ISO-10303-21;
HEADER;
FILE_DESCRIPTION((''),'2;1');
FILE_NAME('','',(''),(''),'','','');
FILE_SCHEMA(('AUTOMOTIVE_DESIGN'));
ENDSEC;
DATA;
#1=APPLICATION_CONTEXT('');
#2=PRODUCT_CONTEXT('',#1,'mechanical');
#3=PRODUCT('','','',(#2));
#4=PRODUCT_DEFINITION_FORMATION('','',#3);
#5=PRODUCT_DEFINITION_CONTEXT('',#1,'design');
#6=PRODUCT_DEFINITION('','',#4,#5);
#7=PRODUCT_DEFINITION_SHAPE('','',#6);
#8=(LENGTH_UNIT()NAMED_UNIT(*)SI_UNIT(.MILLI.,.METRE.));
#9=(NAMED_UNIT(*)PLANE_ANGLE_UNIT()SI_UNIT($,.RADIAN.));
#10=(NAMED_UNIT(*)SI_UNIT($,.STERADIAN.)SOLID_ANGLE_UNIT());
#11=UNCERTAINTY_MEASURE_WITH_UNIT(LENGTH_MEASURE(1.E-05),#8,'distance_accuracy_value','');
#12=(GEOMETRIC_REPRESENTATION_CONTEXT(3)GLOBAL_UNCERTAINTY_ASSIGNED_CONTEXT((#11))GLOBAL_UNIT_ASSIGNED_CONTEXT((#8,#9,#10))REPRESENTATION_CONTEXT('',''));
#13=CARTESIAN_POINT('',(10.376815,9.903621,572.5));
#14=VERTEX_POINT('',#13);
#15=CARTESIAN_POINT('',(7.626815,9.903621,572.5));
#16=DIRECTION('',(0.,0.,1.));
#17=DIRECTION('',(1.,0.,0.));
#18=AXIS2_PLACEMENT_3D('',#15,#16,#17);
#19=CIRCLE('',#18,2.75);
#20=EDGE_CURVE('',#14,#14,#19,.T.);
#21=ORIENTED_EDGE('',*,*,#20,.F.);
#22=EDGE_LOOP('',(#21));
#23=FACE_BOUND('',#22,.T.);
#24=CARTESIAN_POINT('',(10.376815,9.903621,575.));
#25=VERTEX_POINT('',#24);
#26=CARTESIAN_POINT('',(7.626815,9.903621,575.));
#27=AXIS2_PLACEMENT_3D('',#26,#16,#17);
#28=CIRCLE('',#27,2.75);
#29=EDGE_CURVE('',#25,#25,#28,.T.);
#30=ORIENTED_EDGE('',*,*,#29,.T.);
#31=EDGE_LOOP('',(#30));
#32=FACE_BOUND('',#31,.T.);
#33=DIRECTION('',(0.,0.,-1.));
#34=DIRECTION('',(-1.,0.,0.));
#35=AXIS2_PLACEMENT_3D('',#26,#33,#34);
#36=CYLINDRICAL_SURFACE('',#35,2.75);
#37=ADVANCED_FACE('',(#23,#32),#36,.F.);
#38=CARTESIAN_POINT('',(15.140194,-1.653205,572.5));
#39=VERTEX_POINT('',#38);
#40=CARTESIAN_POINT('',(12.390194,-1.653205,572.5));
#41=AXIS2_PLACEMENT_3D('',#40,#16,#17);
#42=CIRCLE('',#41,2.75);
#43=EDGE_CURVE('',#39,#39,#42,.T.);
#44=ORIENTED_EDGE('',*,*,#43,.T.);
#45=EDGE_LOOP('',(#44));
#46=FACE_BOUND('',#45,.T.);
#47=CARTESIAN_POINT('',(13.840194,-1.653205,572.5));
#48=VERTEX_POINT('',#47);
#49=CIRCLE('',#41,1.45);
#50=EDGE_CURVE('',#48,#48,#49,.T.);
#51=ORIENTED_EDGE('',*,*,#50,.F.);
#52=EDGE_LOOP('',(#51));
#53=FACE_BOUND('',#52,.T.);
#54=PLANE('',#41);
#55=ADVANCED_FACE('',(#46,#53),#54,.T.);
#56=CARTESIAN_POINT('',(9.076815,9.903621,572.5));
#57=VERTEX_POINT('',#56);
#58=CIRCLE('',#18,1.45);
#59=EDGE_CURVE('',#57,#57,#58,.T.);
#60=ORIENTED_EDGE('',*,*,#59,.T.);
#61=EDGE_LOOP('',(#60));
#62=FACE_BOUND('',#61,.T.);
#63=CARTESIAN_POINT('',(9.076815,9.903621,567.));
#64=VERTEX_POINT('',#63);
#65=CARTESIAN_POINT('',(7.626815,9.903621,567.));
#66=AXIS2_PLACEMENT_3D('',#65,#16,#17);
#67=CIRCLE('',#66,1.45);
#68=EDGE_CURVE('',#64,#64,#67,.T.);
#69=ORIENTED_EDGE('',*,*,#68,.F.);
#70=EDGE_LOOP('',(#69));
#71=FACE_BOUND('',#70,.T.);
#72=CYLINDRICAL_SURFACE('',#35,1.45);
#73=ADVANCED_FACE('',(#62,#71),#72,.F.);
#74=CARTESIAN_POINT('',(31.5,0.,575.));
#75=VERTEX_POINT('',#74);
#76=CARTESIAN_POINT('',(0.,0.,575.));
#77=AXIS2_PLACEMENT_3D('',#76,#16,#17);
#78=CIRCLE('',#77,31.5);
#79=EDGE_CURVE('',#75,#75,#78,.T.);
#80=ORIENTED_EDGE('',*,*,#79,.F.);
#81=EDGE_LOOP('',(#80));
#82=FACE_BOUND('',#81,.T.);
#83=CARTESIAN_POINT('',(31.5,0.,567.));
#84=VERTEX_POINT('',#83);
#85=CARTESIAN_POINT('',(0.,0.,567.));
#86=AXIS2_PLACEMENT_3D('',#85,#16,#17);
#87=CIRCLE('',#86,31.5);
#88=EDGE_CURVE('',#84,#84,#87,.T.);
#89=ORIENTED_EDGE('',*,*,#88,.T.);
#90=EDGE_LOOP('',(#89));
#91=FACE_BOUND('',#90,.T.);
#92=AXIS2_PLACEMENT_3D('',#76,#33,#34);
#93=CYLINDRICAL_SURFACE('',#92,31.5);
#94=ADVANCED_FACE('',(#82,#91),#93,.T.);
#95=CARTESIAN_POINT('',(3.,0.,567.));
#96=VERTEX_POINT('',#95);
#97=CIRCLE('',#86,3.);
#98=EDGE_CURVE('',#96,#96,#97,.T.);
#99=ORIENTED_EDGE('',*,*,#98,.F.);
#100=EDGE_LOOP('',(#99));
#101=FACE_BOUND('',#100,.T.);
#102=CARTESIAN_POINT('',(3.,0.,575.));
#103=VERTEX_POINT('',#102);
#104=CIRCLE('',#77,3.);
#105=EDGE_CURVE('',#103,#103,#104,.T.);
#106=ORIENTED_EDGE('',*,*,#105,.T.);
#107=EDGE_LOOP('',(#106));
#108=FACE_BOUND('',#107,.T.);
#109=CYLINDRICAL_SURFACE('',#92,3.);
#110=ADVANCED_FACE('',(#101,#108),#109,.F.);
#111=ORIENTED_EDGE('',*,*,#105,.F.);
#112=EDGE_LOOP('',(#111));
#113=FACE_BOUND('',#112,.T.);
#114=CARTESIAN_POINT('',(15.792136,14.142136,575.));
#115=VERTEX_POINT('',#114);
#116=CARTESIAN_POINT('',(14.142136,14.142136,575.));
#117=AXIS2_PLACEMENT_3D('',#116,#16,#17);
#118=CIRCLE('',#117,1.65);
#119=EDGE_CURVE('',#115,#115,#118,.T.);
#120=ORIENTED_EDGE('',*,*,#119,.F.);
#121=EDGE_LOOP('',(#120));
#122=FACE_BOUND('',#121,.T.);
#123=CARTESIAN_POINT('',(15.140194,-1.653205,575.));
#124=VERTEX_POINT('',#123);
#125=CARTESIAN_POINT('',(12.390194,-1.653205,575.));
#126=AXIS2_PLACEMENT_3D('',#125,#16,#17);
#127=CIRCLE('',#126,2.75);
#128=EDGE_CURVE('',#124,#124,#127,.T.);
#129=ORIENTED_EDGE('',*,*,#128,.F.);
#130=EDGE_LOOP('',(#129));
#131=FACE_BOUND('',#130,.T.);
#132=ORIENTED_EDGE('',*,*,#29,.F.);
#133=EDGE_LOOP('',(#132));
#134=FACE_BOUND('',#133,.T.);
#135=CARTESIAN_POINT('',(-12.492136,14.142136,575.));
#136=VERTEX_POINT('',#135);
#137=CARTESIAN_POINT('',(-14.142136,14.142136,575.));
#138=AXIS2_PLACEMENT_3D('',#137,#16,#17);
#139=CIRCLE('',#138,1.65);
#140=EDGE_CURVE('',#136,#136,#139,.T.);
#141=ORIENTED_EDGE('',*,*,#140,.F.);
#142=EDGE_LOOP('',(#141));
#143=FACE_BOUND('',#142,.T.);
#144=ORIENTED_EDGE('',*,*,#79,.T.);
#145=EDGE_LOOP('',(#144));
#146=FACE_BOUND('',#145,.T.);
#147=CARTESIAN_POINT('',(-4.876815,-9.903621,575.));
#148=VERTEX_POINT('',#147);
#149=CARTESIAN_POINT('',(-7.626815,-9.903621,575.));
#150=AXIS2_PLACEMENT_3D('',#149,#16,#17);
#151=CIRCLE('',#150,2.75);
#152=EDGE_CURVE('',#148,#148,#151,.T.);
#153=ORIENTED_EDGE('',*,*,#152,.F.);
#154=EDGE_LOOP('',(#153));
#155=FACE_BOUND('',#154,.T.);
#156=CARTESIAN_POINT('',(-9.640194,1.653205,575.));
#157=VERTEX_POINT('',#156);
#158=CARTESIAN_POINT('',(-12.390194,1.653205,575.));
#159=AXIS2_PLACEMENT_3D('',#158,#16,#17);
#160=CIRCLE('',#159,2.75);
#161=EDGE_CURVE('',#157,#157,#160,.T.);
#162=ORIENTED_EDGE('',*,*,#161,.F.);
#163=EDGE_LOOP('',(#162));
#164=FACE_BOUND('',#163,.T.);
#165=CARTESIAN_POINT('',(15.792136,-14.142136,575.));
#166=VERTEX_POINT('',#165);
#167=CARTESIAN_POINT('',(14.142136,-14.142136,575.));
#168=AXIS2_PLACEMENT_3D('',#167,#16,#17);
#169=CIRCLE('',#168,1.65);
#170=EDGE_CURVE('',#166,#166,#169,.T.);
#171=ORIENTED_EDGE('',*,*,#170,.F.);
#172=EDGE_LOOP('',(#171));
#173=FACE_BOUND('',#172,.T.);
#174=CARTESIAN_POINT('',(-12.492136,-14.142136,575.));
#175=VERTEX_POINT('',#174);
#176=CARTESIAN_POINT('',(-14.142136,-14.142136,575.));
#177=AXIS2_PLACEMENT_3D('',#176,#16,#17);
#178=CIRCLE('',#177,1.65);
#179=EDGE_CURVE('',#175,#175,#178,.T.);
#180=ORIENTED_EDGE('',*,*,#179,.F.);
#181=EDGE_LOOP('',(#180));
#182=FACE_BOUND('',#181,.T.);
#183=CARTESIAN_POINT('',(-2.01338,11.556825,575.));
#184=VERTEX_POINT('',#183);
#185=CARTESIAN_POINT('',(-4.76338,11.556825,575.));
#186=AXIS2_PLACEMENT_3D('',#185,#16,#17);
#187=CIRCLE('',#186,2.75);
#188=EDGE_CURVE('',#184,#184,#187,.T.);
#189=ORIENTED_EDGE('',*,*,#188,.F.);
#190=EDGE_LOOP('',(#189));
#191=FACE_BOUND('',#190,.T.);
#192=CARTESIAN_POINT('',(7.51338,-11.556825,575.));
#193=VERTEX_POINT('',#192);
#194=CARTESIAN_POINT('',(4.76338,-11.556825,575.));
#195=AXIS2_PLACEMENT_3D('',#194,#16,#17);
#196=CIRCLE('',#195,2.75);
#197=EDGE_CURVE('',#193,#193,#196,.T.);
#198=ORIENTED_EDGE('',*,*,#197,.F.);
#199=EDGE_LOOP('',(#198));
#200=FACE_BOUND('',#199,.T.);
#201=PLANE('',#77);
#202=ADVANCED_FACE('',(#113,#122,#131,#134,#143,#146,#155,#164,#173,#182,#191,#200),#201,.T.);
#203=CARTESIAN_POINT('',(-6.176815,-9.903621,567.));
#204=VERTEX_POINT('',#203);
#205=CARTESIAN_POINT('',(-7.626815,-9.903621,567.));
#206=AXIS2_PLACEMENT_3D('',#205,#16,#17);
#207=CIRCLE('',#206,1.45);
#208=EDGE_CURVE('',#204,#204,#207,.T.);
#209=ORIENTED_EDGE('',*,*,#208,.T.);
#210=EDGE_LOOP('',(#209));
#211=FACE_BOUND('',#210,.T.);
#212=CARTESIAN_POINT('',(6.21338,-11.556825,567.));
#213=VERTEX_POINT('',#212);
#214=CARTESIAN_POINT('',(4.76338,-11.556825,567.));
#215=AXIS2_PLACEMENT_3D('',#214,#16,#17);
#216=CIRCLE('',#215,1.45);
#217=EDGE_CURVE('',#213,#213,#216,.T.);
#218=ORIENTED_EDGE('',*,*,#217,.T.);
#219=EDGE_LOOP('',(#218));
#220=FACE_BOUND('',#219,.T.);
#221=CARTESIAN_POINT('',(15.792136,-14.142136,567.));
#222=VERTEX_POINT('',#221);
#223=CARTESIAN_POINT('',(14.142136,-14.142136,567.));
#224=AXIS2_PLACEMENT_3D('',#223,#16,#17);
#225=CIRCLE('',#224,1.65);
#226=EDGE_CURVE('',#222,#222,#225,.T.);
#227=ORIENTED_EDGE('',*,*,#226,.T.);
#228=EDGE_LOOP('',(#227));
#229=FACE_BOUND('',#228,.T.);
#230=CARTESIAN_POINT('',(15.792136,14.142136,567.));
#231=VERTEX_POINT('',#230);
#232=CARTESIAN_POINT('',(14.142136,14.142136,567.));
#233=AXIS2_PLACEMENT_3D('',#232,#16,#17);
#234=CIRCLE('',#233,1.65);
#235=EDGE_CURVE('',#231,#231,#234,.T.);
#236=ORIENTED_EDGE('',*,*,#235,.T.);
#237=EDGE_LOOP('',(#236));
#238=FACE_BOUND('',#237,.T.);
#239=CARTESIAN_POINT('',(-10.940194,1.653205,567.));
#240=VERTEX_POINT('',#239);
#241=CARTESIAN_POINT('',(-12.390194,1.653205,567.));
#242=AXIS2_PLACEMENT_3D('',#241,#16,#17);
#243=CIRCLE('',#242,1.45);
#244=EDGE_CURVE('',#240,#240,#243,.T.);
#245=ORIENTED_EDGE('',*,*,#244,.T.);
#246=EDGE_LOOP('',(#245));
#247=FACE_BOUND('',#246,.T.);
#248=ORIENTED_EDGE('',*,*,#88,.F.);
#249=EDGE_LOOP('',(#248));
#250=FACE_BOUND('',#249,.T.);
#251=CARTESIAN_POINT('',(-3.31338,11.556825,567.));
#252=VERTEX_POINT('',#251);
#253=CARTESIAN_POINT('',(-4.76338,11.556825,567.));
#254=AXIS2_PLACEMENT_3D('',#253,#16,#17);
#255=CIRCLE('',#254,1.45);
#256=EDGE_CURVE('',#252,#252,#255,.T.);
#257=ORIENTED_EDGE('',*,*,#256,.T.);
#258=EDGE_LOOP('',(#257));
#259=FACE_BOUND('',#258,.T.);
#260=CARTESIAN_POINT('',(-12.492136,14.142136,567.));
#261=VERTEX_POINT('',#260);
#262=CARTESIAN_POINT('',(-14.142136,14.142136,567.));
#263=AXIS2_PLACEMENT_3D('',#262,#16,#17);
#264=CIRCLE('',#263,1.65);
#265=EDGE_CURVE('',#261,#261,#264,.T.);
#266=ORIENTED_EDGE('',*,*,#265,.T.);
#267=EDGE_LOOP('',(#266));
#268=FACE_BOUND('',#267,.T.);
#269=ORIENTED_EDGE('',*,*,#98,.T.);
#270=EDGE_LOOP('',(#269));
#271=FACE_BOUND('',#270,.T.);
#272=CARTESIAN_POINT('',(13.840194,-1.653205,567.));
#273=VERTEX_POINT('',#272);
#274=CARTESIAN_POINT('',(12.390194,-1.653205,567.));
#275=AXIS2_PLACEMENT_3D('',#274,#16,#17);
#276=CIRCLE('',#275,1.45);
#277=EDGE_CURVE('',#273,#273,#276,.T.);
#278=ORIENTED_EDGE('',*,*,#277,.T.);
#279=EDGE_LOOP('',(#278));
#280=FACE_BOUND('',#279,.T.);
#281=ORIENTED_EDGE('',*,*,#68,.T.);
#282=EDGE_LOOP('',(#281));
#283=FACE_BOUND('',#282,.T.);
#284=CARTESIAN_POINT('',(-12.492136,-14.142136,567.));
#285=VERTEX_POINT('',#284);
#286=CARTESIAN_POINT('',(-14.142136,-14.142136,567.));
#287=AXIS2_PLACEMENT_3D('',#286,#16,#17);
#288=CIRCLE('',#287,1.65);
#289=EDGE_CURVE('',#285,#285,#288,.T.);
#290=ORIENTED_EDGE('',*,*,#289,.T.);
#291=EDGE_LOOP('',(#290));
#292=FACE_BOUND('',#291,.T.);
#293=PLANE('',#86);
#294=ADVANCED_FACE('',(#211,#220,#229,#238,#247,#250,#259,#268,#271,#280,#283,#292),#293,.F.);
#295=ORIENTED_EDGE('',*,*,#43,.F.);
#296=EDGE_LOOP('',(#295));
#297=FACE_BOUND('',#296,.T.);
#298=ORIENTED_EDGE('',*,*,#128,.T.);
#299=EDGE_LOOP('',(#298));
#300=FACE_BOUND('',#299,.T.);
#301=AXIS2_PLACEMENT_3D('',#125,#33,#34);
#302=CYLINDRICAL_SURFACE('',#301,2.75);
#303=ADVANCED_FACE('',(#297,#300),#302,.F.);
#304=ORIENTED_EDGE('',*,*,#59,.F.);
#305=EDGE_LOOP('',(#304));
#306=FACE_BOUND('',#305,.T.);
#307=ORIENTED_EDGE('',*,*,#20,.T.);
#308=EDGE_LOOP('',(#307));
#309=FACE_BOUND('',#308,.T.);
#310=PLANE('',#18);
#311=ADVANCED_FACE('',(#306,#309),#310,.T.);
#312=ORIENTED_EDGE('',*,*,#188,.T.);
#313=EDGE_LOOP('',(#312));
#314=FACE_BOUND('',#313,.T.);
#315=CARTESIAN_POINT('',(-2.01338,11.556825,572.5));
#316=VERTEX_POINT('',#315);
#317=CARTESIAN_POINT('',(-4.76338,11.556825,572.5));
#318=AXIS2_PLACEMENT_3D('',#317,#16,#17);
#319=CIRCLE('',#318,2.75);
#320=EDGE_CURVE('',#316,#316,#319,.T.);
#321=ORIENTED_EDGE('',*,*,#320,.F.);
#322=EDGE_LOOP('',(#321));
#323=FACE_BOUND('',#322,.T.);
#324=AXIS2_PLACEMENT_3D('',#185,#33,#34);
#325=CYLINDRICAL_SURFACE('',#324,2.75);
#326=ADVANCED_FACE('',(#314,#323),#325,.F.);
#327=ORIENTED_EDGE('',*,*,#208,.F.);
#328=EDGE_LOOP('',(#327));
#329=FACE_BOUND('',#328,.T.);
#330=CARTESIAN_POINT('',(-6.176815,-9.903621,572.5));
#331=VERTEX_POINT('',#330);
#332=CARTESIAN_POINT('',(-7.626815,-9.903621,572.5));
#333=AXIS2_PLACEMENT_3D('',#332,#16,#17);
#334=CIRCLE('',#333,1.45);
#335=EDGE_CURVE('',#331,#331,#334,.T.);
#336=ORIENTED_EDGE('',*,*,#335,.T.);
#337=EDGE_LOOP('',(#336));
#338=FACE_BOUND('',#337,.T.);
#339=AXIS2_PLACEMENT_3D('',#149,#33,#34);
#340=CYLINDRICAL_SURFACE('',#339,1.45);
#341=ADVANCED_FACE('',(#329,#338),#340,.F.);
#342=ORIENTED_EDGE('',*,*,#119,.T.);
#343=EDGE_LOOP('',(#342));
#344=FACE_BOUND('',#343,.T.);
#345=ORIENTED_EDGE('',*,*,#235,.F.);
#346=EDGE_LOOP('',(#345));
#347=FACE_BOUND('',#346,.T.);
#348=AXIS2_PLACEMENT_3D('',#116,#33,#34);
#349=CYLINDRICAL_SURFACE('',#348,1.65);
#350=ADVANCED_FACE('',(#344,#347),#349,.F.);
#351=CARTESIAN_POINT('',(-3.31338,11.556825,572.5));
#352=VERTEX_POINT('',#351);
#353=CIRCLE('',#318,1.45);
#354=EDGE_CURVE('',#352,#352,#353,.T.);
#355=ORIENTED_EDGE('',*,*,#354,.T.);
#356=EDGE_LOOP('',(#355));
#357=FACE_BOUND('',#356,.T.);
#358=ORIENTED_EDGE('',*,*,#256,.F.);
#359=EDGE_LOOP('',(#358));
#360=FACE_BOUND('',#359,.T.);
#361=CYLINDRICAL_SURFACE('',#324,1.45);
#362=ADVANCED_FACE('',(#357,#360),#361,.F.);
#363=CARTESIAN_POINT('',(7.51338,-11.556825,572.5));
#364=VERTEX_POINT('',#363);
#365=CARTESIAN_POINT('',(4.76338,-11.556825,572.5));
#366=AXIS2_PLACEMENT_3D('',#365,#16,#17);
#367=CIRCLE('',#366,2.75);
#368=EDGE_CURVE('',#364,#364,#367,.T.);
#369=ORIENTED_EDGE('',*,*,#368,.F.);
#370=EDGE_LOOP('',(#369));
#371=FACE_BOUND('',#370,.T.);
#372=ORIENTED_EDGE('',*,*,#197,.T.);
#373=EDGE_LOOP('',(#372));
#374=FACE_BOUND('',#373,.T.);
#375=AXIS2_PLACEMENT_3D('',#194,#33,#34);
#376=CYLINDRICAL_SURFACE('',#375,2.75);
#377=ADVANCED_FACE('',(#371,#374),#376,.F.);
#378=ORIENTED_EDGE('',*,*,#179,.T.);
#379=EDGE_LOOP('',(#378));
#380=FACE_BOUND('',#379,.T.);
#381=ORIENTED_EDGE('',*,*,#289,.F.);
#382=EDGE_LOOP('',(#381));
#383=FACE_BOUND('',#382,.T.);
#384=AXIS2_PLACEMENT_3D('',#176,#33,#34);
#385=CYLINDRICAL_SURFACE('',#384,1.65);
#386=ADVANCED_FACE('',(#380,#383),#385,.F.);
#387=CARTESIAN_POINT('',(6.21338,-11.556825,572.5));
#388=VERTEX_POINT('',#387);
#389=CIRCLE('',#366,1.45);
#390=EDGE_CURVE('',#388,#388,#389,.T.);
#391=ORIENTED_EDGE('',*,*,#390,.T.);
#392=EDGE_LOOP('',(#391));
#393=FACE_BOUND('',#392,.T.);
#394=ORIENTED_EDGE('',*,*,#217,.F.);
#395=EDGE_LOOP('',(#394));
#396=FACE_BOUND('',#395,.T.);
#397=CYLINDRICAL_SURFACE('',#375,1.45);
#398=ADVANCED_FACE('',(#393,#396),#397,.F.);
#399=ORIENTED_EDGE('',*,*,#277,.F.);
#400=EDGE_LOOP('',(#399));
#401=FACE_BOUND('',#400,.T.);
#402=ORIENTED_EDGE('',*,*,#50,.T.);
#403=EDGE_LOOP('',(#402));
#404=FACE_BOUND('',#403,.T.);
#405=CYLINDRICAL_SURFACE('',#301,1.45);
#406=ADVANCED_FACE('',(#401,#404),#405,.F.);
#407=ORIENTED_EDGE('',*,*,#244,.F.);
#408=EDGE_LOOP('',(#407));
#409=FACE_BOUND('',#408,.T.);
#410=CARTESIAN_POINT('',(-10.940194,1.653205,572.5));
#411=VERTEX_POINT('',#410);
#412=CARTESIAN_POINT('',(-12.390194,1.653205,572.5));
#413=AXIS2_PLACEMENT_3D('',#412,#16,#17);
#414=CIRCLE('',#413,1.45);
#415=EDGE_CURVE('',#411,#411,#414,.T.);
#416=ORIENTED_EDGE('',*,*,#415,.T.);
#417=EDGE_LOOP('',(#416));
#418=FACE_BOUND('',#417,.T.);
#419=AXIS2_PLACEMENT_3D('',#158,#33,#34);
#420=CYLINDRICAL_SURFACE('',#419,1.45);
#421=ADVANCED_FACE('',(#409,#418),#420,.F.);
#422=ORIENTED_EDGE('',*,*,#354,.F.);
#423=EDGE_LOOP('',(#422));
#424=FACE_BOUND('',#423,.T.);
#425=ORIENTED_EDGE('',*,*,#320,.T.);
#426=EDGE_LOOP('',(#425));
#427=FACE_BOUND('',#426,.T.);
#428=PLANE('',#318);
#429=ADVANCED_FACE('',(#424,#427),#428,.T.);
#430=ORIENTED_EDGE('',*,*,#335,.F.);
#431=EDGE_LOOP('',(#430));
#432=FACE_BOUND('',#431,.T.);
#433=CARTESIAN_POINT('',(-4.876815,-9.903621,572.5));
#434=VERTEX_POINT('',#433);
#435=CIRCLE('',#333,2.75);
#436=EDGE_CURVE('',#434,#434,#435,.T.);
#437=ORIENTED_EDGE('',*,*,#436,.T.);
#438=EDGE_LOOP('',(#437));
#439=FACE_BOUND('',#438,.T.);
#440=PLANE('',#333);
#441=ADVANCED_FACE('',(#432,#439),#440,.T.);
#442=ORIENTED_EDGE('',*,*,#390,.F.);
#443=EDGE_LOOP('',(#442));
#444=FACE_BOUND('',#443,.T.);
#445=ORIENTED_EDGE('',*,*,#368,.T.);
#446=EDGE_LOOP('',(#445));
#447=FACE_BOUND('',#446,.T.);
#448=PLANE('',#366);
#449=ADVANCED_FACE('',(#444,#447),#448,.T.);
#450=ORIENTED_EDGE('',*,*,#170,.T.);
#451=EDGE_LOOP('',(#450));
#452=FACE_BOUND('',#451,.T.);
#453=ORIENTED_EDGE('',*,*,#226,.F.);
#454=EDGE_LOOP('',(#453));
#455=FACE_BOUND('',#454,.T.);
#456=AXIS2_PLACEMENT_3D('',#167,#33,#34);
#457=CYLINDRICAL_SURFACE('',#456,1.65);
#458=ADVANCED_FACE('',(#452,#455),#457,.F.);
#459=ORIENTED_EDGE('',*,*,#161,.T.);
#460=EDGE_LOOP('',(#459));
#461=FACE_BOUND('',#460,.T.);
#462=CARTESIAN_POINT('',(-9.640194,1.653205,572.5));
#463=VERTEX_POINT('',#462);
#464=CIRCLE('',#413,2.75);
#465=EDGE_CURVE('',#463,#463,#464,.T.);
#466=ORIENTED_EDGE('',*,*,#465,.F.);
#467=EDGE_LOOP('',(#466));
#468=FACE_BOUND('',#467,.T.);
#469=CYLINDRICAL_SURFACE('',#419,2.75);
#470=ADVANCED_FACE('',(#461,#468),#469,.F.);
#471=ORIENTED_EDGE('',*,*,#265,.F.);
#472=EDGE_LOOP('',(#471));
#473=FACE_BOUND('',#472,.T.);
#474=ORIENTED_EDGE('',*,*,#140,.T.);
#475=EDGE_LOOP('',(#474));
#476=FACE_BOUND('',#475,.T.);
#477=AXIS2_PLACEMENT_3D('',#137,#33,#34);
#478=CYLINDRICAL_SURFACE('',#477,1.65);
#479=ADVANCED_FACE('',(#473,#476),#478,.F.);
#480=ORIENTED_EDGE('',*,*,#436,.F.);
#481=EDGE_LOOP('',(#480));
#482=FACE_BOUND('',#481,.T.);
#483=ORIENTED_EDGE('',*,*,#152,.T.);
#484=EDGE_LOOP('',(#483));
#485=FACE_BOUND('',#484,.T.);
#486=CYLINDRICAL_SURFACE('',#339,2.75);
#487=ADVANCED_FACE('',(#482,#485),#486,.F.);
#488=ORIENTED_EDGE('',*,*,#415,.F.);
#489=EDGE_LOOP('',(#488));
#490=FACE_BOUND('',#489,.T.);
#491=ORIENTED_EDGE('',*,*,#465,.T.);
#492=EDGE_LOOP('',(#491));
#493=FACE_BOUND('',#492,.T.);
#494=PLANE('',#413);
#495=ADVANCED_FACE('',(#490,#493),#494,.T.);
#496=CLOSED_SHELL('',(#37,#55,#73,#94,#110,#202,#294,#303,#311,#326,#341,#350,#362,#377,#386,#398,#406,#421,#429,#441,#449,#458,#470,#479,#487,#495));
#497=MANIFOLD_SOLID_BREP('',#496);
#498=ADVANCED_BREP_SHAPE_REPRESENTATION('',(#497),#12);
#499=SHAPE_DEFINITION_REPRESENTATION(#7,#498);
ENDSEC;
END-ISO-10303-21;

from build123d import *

# Parameters (mm, degrees)
BRIDA_START                  = 567
SK_BRIDA_R                   = 31.5
BRIDA_DEPTH                  = 8
CENTRO_START                 = 567
SK_CENTRO_R                  = 3
CENTRO_DEPTH                 = 8
ROSCAS_M4_HERRAMIENTA_START  = 567
SK_ROSCAS_M4_HERRAMIENTA_R   = 1.65
ROSCAS_M4_HERRAMIENTA_DEPTH  = 8
PASANTES_M2_5_ROTOR_J6_START = 567
SK_PASANTES_M2_5_ROTOR_J6_R  = 1.45
PASANTES_M2_5_ROTOR_J6_DEPTH = 8
CAJAS_M2_5_START             = 572.5
SK_CAJAS_M2_5_R              = 2.75
CAJAS_M2_5_DEPTH             = 2.5


with BuildPart() as part:
    # Sk_Brida → Brida (new body)
    with BuildSketch(Plane.XY.offset(BRIDA_START)):
        Circle(SK_BRIDA_R)
    extrude(amount=BRIDA_DEPTH)

    # Sk_Centro → Centro (cut)
    with BuildSketch(Plane.XY.offset(CENTRO_START)):
        Circle(SK_CENTRO_R)
    extrude(amount=CENTRO_DEPTH, mode=Mode.SUBTRACT)

    # Sk_Roscas_M4_herramienta → Roscas_M4_herramienta (cut)
    with BuildSketch(Plane.XY.offset(ROSCAS_M4_HERRAMIENTA_START)):
        with Locations((14.142135624, 14.142135624)):
            Circle(SK_ROSCAS_M4_HERRAMIENTA_R)
        with Locations((-14.142135624, 14.142135624)):
            Circle(SK_ROSCAS_M4_HERRAMIENTA_R)
        with Locations((-14.142135624, -14.142135624)):
            Circle(SK_ROSCAS_M4_HERRAMIENTA_R)
        with Locations((14.142135624, -14.142135624)):
            Circle(SK_ROSCAS_M4_HERRAMIENTA_R)
    extrude(amount=ROSCAS_M4_HERRAMIENTA_DEPTH, mode=Mode.SUBTRACT)

    # Sk_Pasantes_M2-5_rotor_J6 → Pasantes_M2-5_rotor_J6 (cut)
    with BuildSketch(Plane.XY.offset(PASANTES_M2_5_ROTOR_J6_START)):
        with Locations((12.390194253, -1.653204878)):
            Circle(SK_PASANTES_M2_5_ROTOR_J6_R)
        with Locations((7.626814549, 9.903620542)):
            Circle(SK_PASANTES_M2_5_ROTOR_J6_R)
        with Locations((-4.763379704, 11.55682542)):
            Circle(SK_PASANTES_M2_5_ROTOR_J6_R)
        with Locations((-12.390194253, 1.653204878)):
            Circle(SK_PASANTES_M2_5_ROTOR_J6_R)
        with Locations((-7.626814549, -9.903620542)):
            Circle(SK_PASANTES_M2_5_ROTOR_J6_R)
        with Locations((4.763379704, -11.55682542)):
            Circle(SK_PASANTES_M2_5_ROTOR_J6_R)
    extrude(amount=PASANTES_M2_5_ROTOR_J6_DEPTH, mode=Mode.SUBTRACT)

    # Sk_Cajas_M2-5 → Cajas_M2-5 (cut)
    with BuildSketch(Plane.XY.offset(CAJAS_M2_5_START)):
        with Locations((12.390194253, -1.653204878)):
            Circle(SK_CAJAS_M2_5_R)
        with Locations((7.626814549, 9.903620542)):
            Circle(SK_CAJAS_M2_5_R)
        with Locations((-4.763379704, 11.55682542)):
            Circle(SK_CAJAS_M2_5_R)
        with Locations((-12.390194253, 1.653204878)):
            Circle(SK_CAJAS_M2_5_R)
        with Locations((-7.626814549, -9.903620542)):
            Circle(SK_CAJAS_M2_5_R)
        with Locations((4.763379704, -11.55682542)):
            Circle(SK_CAJAS_M2_5_R)
    extrude(amount=CAJAS_M2_5_DEPTH, mode=Mode.SUBTRACT)


solid = part.part
